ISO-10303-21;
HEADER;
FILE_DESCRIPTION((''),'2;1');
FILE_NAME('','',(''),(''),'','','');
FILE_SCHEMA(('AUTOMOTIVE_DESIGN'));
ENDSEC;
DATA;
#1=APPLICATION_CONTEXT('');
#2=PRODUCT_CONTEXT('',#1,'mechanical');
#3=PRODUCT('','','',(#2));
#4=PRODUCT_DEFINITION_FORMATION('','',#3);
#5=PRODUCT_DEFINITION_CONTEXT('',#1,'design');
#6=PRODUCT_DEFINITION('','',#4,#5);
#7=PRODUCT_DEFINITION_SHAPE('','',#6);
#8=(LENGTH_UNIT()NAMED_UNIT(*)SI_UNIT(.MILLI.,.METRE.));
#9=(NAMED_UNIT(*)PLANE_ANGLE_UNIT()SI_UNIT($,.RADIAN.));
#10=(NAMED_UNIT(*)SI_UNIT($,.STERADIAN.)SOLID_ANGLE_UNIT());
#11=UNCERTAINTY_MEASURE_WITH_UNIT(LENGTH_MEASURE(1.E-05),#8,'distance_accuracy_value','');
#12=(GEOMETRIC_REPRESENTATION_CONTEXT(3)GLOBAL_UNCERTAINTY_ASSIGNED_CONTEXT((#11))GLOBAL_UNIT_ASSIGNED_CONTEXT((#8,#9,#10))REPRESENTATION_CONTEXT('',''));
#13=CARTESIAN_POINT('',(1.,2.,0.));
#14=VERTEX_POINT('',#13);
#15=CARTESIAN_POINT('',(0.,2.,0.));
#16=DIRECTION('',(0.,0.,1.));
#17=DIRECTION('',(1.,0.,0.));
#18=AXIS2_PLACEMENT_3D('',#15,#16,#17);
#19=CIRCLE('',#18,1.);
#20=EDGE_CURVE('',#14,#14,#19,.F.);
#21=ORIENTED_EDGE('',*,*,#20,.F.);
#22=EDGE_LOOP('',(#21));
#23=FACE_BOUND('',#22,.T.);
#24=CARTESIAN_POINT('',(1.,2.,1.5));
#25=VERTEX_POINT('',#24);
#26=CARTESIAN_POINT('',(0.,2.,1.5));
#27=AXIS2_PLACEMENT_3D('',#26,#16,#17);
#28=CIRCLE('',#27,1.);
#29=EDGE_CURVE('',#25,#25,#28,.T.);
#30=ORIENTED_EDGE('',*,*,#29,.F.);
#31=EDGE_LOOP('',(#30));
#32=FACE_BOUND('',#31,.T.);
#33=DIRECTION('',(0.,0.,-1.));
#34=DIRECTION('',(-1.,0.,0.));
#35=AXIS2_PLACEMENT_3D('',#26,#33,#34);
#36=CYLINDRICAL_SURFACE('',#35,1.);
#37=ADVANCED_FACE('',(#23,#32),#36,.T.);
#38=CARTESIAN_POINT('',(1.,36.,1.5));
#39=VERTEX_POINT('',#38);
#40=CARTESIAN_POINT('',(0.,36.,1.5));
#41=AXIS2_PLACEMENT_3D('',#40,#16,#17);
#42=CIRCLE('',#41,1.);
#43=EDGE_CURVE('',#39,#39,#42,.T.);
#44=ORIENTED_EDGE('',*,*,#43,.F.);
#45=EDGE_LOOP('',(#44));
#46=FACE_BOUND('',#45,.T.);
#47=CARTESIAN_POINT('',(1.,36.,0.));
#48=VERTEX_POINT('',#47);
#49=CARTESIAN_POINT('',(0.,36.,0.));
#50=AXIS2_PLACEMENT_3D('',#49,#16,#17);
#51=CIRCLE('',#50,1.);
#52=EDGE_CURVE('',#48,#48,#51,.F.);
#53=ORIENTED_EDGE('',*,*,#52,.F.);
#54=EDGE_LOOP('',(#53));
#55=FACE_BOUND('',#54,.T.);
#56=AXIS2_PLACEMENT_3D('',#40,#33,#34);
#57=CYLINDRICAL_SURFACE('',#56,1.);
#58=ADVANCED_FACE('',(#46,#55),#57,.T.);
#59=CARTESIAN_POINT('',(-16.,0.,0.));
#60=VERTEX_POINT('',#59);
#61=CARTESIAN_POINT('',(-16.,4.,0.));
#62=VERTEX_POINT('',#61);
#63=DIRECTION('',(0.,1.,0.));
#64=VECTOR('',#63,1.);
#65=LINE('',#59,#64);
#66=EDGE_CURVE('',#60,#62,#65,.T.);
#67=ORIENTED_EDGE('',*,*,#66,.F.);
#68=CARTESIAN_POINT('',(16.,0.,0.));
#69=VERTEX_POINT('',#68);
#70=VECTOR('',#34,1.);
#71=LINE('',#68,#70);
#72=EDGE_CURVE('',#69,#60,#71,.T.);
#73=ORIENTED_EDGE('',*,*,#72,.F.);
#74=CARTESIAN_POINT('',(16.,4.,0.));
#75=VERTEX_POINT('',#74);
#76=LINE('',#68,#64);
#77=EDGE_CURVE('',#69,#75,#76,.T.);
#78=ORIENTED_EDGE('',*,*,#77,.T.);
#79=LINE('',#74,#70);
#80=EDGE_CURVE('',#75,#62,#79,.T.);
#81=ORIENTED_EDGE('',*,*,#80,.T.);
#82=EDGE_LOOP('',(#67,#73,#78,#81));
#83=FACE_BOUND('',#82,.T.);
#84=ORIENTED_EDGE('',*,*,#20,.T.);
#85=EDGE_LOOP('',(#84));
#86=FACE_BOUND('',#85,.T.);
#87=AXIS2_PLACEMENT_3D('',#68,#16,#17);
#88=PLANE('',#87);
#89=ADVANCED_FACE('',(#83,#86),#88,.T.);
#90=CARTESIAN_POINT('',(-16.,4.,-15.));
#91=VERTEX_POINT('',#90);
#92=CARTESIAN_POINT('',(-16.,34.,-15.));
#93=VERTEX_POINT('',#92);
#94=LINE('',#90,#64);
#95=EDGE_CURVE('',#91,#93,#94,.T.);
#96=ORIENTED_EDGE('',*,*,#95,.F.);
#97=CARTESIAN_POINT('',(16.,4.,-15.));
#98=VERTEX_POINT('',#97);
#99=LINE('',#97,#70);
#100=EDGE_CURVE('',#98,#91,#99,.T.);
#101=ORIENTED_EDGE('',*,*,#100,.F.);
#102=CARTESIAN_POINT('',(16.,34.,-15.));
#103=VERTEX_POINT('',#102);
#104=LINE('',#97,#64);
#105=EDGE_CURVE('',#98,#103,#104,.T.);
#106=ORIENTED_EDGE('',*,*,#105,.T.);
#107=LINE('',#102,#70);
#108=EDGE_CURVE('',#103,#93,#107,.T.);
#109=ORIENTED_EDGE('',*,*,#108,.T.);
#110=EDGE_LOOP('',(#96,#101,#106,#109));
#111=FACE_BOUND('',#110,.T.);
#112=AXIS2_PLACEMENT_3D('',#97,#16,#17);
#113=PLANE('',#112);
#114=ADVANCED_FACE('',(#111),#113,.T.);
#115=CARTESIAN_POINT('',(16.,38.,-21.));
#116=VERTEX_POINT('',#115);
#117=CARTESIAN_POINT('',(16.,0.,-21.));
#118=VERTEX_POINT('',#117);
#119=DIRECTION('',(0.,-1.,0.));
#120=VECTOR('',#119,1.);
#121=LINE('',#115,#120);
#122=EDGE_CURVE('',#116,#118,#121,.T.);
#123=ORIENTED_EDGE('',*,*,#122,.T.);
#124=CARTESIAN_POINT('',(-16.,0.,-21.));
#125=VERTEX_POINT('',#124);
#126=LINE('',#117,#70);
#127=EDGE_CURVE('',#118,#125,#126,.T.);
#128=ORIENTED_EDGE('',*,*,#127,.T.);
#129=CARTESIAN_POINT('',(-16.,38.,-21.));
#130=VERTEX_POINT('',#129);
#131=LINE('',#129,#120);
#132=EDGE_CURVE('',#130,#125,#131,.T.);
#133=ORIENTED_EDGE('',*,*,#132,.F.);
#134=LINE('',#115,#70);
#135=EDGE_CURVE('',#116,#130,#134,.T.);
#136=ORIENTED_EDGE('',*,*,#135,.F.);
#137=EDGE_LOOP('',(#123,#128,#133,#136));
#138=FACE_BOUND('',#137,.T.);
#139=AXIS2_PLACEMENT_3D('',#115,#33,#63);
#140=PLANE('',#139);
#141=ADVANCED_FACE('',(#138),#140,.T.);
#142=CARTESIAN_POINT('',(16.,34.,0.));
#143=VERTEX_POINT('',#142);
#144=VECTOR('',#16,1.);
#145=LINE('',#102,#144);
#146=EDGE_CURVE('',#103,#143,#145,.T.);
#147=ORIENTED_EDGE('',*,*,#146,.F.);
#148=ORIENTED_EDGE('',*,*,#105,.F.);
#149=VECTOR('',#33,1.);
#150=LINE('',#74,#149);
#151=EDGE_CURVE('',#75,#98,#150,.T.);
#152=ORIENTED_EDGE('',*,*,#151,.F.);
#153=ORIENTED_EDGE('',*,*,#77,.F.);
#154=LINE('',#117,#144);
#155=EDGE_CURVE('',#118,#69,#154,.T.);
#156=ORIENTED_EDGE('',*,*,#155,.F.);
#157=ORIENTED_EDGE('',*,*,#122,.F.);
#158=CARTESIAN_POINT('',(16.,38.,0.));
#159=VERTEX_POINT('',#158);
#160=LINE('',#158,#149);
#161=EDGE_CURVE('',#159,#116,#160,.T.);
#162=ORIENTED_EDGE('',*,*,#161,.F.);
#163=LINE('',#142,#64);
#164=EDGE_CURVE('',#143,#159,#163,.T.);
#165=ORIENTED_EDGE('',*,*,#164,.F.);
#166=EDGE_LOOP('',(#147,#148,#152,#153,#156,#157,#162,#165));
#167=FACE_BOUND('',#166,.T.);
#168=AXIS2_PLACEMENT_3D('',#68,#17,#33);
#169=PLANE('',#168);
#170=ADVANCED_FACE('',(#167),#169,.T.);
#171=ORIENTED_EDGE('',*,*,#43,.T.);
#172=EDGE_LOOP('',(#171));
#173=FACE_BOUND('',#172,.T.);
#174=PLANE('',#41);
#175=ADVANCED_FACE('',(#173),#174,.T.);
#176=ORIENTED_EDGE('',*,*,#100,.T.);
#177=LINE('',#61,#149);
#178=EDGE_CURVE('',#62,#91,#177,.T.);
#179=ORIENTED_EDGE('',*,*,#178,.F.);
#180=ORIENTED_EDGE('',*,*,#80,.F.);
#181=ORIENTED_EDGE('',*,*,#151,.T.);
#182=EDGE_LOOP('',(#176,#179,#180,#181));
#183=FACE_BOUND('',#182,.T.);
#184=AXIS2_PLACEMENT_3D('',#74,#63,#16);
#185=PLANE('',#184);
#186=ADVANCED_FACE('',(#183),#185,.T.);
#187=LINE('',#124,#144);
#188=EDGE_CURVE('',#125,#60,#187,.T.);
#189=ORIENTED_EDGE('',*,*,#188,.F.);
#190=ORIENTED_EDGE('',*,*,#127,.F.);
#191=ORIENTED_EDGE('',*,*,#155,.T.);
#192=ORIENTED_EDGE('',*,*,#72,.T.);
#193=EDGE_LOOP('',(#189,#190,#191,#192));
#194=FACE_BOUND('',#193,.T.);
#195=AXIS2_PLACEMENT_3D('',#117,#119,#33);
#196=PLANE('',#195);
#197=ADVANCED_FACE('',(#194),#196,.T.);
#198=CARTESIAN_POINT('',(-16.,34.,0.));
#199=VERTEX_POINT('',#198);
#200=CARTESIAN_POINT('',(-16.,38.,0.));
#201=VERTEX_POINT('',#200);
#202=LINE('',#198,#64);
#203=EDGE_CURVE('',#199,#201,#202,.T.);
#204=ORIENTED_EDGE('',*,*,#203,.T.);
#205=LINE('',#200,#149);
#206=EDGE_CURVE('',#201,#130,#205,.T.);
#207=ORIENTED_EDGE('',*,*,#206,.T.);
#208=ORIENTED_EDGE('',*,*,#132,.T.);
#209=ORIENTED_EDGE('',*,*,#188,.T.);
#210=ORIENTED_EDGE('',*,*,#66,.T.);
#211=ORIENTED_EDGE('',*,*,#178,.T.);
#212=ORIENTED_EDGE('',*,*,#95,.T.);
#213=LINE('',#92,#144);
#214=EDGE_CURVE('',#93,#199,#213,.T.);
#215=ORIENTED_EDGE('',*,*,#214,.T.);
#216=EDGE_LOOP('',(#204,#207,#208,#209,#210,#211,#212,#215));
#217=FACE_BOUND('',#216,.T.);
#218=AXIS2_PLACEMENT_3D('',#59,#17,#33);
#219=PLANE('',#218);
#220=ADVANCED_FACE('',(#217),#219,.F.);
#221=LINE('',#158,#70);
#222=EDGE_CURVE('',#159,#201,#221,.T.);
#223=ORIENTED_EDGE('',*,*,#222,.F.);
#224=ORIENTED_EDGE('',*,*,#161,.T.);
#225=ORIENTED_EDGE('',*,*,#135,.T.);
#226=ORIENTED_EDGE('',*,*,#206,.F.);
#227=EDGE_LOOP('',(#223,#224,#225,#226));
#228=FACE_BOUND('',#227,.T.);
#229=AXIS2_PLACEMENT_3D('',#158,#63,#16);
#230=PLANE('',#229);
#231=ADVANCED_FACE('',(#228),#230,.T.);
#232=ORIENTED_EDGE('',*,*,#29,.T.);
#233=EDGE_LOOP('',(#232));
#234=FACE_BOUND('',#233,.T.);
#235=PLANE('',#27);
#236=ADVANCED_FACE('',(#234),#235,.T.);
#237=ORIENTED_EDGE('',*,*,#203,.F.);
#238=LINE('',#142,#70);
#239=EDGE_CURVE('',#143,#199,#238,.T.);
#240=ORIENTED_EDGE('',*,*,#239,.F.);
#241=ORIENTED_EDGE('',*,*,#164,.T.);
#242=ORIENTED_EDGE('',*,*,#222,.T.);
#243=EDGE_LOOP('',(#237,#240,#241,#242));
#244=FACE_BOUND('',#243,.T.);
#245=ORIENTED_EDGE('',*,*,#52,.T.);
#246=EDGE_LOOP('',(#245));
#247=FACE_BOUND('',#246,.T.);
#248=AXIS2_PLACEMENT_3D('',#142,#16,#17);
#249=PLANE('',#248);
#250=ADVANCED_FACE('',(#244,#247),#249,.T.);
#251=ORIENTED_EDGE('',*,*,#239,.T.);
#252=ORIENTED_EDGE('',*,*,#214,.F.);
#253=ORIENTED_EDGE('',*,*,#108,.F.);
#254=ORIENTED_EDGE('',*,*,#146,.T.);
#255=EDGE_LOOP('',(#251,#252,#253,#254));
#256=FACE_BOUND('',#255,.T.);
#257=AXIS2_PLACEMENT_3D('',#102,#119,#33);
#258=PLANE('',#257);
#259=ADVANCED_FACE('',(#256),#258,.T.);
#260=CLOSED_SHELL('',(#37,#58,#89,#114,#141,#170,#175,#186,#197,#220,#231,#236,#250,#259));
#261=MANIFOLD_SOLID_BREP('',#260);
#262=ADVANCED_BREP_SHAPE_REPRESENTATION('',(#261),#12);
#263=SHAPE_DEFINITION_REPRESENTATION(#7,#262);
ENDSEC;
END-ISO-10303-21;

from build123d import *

# Parameters (mm, degrees)
BOSS_EXTRUDE1_DEPTH = 16
SKETCH4_R           = 1
BOSS_EXTRUDE2_DEPTH = 1.5


with BuildPart() as part:
    # Sketch3 → Boss-Extrude1 (new body, symmetric)
    with BuildSketch(Plane(origin=(0, 0, 0), x_dir=(0, 0, -1), z_dir=(1, 0, 0))):
        Polygon((0, 0), (0, 4), (15, 4), (15, 34), (0, 34), (0, 38), (21, 38), (21, 0), align=None)
    extrude(amount=BOSS_EXTRUDE1_DEPTH, both=True)

    # Sketch4 → Boss-Extrude2 (add, symmetric)
    with BuildSketch(Plane.XY):
        with Locations((0, 36)):
            Circle(SKETCH4_R)
        with Locations((0, 2)):
            Circle(SKETCH4_R)
    extrude(amount=BOSS_EXTRUDE2_DEPTH, both=True)


solid = part.part
